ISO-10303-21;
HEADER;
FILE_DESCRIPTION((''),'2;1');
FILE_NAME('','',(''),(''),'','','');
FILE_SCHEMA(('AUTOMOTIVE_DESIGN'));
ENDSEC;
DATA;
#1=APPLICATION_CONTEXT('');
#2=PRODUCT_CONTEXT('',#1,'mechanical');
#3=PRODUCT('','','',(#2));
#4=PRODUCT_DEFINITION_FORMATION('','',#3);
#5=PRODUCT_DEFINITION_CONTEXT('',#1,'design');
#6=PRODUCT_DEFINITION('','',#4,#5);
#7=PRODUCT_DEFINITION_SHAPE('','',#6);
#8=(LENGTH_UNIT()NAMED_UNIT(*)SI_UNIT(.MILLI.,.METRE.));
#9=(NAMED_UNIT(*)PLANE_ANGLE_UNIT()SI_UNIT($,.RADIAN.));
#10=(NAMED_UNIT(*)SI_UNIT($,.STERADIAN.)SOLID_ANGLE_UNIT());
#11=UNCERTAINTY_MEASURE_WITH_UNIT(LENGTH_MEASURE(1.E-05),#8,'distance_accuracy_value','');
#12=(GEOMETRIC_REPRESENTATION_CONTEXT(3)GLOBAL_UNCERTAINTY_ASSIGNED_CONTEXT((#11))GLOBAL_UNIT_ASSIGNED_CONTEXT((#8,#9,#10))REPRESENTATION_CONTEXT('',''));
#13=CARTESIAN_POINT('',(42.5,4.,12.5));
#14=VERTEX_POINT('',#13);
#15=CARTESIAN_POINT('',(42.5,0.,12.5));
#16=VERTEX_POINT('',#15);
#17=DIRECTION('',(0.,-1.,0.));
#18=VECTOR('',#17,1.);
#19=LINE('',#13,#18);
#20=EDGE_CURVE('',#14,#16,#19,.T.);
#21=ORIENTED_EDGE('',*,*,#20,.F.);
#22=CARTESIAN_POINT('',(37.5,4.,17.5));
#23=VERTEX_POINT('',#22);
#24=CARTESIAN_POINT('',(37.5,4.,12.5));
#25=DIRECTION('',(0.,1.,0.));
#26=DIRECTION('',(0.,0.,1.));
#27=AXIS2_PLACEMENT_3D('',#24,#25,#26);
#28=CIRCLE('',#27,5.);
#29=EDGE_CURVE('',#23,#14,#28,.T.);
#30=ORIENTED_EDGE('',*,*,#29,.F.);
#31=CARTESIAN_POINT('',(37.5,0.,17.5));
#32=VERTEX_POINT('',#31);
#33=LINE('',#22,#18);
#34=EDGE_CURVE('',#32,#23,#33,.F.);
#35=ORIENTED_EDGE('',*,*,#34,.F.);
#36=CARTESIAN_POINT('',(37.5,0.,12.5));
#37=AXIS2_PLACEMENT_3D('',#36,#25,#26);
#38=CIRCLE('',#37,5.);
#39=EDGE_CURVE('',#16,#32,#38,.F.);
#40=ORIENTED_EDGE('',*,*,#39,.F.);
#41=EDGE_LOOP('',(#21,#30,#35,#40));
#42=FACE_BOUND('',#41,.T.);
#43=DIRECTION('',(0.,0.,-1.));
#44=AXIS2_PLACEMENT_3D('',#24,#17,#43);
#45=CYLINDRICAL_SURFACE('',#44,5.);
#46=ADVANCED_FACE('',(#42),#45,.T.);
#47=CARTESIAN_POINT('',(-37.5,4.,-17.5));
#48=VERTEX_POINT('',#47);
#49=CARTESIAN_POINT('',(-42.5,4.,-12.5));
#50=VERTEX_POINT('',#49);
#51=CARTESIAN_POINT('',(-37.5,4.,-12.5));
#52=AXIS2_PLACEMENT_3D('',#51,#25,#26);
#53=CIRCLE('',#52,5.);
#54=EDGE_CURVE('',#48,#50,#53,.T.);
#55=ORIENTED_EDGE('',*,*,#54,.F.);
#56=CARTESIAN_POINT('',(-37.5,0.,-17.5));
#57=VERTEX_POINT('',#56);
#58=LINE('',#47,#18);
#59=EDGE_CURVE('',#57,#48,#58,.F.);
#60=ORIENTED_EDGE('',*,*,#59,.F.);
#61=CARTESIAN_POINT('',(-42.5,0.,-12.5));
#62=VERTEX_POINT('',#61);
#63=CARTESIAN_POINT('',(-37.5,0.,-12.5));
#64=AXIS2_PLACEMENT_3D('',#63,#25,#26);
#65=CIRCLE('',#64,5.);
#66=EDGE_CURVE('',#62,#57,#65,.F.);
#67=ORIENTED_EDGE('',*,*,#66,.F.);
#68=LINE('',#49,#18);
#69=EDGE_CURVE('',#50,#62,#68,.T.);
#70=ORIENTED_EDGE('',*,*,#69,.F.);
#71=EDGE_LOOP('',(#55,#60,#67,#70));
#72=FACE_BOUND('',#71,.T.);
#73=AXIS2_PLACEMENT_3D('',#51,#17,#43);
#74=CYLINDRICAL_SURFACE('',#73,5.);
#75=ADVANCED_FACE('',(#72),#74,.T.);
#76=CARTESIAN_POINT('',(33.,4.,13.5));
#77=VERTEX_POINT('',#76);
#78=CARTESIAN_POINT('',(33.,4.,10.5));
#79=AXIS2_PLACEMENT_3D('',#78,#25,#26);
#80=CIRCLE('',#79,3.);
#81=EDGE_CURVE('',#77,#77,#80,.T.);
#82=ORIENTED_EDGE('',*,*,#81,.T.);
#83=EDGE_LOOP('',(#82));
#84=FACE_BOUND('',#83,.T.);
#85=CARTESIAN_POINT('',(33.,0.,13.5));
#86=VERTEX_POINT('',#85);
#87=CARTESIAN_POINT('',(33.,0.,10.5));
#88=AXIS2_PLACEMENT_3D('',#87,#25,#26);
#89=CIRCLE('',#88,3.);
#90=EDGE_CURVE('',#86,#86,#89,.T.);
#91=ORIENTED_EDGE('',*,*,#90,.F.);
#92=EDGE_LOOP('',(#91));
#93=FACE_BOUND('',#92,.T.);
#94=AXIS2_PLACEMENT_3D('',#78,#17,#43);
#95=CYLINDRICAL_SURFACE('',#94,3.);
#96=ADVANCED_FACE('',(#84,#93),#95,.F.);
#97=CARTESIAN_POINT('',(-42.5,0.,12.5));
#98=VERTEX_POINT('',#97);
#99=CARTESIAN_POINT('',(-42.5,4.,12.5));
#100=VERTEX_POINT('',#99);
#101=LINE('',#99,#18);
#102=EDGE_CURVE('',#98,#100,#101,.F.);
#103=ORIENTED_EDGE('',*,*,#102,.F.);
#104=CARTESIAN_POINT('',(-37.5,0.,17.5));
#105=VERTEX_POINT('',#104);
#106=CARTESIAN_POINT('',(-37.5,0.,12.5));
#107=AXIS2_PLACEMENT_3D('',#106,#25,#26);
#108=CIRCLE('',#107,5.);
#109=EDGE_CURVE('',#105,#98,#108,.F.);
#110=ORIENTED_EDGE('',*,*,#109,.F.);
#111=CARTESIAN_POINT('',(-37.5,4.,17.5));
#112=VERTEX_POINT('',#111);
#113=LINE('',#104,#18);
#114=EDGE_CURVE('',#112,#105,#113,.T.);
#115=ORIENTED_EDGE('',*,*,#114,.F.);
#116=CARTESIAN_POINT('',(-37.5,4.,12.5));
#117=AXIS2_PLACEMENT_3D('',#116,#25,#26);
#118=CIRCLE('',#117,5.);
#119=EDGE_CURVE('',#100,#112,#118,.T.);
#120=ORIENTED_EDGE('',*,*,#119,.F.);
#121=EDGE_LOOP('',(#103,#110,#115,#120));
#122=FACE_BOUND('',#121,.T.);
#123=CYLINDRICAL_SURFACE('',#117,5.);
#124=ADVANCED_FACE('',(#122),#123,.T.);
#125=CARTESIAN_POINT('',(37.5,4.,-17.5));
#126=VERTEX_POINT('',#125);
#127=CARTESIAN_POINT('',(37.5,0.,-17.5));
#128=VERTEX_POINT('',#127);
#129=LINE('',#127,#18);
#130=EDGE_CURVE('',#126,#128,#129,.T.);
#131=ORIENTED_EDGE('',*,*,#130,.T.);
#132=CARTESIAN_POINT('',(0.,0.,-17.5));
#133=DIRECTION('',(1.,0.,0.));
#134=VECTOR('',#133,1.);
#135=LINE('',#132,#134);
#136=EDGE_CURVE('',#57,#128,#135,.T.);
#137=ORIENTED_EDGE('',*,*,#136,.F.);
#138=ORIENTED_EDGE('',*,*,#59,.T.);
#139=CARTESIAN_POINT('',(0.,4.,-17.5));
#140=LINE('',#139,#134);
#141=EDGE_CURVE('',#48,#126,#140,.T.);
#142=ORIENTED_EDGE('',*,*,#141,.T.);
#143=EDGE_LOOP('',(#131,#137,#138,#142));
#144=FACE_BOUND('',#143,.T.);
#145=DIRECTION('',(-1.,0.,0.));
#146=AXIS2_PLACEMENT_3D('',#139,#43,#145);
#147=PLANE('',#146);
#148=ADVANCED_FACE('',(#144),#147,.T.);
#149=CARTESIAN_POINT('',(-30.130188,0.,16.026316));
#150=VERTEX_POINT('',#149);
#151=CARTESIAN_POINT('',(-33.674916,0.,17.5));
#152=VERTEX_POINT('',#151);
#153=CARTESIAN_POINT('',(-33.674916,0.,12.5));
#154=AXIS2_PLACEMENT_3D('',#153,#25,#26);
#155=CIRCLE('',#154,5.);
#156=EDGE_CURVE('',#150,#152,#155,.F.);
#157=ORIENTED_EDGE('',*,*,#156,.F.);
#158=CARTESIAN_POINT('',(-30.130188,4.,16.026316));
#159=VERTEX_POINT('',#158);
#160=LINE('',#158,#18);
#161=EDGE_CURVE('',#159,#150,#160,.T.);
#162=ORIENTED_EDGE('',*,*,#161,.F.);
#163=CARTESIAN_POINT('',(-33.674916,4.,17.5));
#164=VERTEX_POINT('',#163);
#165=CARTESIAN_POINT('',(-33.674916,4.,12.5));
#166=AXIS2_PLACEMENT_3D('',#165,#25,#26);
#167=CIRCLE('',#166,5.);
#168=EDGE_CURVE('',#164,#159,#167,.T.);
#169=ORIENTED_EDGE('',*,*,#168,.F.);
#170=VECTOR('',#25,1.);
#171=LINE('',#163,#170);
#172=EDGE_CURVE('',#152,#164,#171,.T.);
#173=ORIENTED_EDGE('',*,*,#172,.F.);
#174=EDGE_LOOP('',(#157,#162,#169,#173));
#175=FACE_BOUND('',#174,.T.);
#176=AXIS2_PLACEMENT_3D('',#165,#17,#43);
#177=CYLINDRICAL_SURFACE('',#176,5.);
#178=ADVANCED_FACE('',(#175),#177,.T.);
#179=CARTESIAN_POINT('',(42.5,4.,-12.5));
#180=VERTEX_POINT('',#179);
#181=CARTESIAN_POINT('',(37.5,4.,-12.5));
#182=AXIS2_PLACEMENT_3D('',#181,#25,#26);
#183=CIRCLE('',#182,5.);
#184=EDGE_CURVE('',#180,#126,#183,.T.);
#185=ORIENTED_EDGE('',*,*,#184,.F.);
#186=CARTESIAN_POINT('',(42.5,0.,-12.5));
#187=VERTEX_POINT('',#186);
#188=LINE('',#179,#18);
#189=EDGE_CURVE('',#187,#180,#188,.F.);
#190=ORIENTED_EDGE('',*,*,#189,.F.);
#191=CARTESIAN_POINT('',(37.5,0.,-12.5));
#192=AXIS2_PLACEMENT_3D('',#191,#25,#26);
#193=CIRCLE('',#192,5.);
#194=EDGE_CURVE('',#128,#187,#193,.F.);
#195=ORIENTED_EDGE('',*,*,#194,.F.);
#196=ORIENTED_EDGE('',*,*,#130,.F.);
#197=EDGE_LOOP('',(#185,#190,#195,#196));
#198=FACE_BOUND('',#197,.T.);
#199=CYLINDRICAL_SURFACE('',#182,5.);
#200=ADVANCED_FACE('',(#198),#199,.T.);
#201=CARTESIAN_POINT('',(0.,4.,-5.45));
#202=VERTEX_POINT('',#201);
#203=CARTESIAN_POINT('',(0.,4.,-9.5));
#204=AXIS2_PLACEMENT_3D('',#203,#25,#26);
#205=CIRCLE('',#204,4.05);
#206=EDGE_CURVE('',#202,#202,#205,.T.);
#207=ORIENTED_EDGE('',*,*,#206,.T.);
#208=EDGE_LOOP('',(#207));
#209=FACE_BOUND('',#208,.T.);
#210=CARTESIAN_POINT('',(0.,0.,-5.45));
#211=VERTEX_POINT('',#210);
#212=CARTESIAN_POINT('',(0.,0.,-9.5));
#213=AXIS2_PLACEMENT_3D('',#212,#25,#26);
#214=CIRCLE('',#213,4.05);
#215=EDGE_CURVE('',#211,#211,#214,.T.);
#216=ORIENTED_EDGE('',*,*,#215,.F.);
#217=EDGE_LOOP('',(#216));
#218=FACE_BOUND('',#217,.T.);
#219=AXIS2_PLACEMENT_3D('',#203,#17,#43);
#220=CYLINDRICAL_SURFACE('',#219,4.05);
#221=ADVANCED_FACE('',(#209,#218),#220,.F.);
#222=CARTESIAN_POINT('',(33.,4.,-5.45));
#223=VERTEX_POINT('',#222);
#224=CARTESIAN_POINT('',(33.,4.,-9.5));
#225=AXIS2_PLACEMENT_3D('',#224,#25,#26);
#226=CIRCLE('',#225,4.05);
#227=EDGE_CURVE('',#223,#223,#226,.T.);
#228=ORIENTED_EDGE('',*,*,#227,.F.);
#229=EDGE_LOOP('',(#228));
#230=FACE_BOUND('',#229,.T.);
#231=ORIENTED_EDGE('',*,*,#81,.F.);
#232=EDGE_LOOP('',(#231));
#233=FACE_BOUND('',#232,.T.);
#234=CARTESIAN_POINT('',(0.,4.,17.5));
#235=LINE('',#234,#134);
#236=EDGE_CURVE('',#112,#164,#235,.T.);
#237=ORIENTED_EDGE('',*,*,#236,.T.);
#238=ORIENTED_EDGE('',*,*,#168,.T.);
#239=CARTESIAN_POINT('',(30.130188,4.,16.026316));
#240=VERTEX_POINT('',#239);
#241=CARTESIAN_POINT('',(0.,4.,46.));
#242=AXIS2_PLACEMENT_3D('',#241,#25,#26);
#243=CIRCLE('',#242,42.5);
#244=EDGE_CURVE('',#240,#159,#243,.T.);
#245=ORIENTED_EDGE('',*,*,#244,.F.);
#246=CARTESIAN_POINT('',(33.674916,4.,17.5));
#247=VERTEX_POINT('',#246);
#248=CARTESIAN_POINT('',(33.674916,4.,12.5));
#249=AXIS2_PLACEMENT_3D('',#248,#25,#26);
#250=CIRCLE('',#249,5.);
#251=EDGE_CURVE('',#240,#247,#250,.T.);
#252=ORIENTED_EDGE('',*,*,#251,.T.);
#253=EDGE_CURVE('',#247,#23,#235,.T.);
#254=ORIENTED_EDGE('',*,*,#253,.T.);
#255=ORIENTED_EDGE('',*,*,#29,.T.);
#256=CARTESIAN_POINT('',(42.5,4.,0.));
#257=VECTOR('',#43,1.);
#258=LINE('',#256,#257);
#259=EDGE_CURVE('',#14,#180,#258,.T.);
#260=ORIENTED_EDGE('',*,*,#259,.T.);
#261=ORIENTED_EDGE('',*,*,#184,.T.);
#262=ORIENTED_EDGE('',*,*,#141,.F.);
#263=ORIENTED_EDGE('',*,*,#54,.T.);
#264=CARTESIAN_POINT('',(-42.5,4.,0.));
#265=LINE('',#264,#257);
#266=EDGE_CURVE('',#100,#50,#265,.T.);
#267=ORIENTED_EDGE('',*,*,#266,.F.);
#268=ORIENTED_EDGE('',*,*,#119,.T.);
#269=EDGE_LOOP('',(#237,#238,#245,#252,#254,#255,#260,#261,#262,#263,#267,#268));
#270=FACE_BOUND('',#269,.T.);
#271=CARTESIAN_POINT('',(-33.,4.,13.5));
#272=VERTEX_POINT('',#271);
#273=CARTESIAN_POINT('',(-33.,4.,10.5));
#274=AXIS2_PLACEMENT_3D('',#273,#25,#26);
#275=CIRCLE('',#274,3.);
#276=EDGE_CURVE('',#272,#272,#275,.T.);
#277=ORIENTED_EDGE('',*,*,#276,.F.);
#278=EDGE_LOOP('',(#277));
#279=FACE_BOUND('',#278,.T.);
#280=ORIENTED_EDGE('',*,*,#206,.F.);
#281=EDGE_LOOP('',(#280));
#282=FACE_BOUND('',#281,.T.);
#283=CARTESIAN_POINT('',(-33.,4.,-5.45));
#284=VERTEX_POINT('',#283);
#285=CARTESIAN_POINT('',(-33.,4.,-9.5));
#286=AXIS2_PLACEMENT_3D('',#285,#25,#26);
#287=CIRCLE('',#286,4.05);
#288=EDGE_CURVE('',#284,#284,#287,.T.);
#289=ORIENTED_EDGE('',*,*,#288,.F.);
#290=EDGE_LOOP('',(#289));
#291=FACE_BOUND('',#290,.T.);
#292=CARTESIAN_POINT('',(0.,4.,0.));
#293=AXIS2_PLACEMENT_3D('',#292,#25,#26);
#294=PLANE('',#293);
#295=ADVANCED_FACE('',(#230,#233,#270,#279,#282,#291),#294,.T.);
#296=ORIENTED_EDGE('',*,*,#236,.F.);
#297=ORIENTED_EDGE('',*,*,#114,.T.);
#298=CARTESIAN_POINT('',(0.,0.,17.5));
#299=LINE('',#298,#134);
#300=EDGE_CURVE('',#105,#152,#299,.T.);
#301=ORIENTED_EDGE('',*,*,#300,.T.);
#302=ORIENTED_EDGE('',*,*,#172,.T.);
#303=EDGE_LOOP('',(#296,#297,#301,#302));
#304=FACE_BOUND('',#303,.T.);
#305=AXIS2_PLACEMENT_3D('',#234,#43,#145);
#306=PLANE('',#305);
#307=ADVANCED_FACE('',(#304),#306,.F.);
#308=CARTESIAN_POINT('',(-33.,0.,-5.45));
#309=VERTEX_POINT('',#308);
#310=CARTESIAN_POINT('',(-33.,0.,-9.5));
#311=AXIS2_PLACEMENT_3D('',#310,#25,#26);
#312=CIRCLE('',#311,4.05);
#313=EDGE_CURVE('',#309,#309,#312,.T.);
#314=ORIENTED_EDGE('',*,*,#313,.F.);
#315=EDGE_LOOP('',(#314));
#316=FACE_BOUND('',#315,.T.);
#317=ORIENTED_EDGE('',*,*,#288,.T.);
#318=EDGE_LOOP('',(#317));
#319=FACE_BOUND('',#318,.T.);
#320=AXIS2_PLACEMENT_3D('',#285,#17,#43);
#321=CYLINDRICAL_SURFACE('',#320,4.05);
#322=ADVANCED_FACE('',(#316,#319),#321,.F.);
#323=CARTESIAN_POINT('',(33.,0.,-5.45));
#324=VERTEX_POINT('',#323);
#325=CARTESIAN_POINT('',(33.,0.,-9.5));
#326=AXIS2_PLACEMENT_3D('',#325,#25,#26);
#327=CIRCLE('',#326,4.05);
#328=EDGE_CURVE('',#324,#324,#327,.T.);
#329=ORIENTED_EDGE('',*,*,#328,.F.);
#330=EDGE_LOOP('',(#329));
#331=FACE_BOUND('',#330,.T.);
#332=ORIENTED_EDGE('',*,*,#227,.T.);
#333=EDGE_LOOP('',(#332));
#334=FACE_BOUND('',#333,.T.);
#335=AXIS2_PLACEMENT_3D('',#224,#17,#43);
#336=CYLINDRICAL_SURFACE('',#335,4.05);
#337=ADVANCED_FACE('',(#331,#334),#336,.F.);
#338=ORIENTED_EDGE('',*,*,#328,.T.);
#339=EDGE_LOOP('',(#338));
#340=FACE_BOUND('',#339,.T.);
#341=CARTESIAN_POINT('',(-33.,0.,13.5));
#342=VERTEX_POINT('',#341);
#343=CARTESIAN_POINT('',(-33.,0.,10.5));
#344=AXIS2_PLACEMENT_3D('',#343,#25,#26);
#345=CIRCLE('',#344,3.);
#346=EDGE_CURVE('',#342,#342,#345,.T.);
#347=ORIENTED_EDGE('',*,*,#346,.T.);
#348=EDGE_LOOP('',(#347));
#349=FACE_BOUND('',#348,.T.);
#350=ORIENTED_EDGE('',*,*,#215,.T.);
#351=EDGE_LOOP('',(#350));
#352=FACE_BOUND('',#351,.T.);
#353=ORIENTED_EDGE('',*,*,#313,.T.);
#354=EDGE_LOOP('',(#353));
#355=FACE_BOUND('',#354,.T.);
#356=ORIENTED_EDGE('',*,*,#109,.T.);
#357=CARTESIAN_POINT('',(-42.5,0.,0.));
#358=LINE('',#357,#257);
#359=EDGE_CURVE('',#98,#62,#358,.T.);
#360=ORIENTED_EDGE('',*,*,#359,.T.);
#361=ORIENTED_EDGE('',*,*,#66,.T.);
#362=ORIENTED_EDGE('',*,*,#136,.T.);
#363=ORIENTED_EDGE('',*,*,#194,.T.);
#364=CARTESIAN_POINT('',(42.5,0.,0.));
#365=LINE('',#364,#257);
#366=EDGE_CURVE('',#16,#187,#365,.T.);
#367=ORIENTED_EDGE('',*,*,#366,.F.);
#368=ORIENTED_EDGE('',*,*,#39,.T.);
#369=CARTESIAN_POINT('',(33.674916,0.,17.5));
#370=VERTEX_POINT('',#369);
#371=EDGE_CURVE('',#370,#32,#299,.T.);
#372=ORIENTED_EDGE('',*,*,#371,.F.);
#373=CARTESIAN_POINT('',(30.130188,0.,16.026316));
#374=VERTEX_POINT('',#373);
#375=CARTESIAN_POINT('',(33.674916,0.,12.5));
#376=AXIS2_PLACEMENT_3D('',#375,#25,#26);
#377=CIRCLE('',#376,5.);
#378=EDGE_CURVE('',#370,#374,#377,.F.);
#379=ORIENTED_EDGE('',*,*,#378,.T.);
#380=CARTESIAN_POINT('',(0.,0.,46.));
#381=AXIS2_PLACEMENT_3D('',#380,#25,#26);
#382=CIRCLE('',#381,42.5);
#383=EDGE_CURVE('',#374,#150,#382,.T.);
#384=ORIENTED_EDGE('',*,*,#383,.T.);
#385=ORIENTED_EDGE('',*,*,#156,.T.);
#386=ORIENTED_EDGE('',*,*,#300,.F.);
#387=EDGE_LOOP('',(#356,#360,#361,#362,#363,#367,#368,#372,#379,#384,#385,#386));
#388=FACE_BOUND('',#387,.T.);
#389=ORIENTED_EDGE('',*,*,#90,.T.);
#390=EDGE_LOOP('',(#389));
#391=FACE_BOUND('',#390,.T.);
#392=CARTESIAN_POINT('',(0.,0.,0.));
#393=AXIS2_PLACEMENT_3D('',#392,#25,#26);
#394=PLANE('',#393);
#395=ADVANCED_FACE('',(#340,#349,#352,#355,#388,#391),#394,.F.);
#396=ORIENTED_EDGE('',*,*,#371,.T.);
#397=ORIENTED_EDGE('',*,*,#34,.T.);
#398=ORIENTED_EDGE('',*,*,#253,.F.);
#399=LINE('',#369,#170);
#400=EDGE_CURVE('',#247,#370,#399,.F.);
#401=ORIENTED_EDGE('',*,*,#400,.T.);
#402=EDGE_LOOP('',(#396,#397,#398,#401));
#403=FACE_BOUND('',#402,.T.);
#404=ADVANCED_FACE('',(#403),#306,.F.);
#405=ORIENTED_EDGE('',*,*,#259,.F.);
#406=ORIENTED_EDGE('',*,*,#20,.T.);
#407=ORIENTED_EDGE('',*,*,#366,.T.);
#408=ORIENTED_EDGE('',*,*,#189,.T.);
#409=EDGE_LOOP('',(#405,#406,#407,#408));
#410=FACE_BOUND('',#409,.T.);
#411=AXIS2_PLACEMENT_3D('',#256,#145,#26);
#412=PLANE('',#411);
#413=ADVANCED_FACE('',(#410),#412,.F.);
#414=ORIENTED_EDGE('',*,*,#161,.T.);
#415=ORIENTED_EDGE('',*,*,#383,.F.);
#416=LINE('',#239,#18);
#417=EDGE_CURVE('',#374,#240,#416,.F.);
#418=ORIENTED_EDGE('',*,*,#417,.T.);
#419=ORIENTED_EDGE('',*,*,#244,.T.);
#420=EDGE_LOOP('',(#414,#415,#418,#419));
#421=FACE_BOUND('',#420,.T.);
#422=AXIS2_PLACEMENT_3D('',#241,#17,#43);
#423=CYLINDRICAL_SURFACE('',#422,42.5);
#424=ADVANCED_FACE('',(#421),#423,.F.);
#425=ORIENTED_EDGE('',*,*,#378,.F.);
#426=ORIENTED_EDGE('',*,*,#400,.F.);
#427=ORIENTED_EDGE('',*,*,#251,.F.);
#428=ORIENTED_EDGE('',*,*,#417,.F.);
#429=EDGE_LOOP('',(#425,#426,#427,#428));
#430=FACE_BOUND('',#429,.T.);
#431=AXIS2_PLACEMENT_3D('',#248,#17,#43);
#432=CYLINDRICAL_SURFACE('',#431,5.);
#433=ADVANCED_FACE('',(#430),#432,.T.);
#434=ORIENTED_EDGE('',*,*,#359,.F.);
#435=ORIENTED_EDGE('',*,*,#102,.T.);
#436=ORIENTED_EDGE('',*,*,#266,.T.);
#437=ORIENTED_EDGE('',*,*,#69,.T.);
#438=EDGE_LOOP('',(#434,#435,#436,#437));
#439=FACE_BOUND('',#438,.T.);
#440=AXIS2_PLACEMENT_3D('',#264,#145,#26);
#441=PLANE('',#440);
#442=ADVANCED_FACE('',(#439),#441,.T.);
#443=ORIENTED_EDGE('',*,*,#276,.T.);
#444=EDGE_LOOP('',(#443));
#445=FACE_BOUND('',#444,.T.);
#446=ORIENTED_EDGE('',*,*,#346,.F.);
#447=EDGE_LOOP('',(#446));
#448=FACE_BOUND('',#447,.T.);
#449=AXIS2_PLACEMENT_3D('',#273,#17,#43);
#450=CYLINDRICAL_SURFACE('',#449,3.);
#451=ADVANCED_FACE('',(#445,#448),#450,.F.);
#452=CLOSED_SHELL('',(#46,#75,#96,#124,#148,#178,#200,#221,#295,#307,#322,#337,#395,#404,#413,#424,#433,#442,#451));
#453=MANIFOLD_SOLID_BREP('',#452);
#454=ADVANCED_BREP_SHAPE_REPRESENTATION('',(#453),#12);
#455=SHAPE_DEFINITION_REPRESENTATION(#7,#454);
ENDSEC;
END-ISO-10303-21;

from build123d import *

# Parameters (mm, degrees)
SKETCH1_R           = 3
SKETCH1_R_2         = 4.05
BOSS_EXTRUDE1_DEPTH = 4
FILLET1_R           = 5


with BuildPart() as part:
    # Sketch1 → Boss-Extrude1 (new body)
    with BuildSketch(Plane(origin=(0, 0, 0), x_dir=(1, 0, 0), z_dir=(0, 1, 0))):
        with BuildLine():
            Line((-42.5, 17.5), (-42.5, -17.5))
            Line((-42.5, -17.5), (-31.527765541, -17.5))
            ThreePointArc((-31.527765541, -17.5), (0, -3.5), (31.527765541, -17.5))
            Line((31.527765541, -17.5), (42.5, -17.5))
            Line((42.5, -17.5), (42.5, 17.5))
            Line((42.5, 17.5), (-42.5, 17.5))
        make_face()
        with Locations((-33, -10.5)):
            Circle(SKETCH1_R, mode=Mode.SUBTRACT)
        with Locations((-33, 9.5)):
            Circle(SKETCH1_R_2, mode=Mode.SUBTRACT)
        with Locations((33, -10.5)):
            Circle(SKETCH1_R, mode=Mode.SUBTRACT)
        with Locations((0, 9.5)):
            Circle(SKETCH1_R_2, mode=Mode.SUBTRACT)
        with Locations((33, 9.5)):
            Circle(SKETCH1_R_2, mode=Mode.SUBTRACT)
    extrude(amount=BOSS_EXTRUDE1_DEPTH)

    # Fillet1
    fillet1_edges = [part.edges().sort_by_distance(p)[0] for p in [
        (-31.527765541, 2, 17.5),
        (-42.5, 2, 17.5),
        (-42.5, 2, -17.5),
        (42.5, 2, -17.5),
        (42.5, 2, 17.5),
        (31.527765541, 2, 17.5),
    ]]
    fillet(fillet1_edges, radius=FILLET1_R)


solid = part.part
